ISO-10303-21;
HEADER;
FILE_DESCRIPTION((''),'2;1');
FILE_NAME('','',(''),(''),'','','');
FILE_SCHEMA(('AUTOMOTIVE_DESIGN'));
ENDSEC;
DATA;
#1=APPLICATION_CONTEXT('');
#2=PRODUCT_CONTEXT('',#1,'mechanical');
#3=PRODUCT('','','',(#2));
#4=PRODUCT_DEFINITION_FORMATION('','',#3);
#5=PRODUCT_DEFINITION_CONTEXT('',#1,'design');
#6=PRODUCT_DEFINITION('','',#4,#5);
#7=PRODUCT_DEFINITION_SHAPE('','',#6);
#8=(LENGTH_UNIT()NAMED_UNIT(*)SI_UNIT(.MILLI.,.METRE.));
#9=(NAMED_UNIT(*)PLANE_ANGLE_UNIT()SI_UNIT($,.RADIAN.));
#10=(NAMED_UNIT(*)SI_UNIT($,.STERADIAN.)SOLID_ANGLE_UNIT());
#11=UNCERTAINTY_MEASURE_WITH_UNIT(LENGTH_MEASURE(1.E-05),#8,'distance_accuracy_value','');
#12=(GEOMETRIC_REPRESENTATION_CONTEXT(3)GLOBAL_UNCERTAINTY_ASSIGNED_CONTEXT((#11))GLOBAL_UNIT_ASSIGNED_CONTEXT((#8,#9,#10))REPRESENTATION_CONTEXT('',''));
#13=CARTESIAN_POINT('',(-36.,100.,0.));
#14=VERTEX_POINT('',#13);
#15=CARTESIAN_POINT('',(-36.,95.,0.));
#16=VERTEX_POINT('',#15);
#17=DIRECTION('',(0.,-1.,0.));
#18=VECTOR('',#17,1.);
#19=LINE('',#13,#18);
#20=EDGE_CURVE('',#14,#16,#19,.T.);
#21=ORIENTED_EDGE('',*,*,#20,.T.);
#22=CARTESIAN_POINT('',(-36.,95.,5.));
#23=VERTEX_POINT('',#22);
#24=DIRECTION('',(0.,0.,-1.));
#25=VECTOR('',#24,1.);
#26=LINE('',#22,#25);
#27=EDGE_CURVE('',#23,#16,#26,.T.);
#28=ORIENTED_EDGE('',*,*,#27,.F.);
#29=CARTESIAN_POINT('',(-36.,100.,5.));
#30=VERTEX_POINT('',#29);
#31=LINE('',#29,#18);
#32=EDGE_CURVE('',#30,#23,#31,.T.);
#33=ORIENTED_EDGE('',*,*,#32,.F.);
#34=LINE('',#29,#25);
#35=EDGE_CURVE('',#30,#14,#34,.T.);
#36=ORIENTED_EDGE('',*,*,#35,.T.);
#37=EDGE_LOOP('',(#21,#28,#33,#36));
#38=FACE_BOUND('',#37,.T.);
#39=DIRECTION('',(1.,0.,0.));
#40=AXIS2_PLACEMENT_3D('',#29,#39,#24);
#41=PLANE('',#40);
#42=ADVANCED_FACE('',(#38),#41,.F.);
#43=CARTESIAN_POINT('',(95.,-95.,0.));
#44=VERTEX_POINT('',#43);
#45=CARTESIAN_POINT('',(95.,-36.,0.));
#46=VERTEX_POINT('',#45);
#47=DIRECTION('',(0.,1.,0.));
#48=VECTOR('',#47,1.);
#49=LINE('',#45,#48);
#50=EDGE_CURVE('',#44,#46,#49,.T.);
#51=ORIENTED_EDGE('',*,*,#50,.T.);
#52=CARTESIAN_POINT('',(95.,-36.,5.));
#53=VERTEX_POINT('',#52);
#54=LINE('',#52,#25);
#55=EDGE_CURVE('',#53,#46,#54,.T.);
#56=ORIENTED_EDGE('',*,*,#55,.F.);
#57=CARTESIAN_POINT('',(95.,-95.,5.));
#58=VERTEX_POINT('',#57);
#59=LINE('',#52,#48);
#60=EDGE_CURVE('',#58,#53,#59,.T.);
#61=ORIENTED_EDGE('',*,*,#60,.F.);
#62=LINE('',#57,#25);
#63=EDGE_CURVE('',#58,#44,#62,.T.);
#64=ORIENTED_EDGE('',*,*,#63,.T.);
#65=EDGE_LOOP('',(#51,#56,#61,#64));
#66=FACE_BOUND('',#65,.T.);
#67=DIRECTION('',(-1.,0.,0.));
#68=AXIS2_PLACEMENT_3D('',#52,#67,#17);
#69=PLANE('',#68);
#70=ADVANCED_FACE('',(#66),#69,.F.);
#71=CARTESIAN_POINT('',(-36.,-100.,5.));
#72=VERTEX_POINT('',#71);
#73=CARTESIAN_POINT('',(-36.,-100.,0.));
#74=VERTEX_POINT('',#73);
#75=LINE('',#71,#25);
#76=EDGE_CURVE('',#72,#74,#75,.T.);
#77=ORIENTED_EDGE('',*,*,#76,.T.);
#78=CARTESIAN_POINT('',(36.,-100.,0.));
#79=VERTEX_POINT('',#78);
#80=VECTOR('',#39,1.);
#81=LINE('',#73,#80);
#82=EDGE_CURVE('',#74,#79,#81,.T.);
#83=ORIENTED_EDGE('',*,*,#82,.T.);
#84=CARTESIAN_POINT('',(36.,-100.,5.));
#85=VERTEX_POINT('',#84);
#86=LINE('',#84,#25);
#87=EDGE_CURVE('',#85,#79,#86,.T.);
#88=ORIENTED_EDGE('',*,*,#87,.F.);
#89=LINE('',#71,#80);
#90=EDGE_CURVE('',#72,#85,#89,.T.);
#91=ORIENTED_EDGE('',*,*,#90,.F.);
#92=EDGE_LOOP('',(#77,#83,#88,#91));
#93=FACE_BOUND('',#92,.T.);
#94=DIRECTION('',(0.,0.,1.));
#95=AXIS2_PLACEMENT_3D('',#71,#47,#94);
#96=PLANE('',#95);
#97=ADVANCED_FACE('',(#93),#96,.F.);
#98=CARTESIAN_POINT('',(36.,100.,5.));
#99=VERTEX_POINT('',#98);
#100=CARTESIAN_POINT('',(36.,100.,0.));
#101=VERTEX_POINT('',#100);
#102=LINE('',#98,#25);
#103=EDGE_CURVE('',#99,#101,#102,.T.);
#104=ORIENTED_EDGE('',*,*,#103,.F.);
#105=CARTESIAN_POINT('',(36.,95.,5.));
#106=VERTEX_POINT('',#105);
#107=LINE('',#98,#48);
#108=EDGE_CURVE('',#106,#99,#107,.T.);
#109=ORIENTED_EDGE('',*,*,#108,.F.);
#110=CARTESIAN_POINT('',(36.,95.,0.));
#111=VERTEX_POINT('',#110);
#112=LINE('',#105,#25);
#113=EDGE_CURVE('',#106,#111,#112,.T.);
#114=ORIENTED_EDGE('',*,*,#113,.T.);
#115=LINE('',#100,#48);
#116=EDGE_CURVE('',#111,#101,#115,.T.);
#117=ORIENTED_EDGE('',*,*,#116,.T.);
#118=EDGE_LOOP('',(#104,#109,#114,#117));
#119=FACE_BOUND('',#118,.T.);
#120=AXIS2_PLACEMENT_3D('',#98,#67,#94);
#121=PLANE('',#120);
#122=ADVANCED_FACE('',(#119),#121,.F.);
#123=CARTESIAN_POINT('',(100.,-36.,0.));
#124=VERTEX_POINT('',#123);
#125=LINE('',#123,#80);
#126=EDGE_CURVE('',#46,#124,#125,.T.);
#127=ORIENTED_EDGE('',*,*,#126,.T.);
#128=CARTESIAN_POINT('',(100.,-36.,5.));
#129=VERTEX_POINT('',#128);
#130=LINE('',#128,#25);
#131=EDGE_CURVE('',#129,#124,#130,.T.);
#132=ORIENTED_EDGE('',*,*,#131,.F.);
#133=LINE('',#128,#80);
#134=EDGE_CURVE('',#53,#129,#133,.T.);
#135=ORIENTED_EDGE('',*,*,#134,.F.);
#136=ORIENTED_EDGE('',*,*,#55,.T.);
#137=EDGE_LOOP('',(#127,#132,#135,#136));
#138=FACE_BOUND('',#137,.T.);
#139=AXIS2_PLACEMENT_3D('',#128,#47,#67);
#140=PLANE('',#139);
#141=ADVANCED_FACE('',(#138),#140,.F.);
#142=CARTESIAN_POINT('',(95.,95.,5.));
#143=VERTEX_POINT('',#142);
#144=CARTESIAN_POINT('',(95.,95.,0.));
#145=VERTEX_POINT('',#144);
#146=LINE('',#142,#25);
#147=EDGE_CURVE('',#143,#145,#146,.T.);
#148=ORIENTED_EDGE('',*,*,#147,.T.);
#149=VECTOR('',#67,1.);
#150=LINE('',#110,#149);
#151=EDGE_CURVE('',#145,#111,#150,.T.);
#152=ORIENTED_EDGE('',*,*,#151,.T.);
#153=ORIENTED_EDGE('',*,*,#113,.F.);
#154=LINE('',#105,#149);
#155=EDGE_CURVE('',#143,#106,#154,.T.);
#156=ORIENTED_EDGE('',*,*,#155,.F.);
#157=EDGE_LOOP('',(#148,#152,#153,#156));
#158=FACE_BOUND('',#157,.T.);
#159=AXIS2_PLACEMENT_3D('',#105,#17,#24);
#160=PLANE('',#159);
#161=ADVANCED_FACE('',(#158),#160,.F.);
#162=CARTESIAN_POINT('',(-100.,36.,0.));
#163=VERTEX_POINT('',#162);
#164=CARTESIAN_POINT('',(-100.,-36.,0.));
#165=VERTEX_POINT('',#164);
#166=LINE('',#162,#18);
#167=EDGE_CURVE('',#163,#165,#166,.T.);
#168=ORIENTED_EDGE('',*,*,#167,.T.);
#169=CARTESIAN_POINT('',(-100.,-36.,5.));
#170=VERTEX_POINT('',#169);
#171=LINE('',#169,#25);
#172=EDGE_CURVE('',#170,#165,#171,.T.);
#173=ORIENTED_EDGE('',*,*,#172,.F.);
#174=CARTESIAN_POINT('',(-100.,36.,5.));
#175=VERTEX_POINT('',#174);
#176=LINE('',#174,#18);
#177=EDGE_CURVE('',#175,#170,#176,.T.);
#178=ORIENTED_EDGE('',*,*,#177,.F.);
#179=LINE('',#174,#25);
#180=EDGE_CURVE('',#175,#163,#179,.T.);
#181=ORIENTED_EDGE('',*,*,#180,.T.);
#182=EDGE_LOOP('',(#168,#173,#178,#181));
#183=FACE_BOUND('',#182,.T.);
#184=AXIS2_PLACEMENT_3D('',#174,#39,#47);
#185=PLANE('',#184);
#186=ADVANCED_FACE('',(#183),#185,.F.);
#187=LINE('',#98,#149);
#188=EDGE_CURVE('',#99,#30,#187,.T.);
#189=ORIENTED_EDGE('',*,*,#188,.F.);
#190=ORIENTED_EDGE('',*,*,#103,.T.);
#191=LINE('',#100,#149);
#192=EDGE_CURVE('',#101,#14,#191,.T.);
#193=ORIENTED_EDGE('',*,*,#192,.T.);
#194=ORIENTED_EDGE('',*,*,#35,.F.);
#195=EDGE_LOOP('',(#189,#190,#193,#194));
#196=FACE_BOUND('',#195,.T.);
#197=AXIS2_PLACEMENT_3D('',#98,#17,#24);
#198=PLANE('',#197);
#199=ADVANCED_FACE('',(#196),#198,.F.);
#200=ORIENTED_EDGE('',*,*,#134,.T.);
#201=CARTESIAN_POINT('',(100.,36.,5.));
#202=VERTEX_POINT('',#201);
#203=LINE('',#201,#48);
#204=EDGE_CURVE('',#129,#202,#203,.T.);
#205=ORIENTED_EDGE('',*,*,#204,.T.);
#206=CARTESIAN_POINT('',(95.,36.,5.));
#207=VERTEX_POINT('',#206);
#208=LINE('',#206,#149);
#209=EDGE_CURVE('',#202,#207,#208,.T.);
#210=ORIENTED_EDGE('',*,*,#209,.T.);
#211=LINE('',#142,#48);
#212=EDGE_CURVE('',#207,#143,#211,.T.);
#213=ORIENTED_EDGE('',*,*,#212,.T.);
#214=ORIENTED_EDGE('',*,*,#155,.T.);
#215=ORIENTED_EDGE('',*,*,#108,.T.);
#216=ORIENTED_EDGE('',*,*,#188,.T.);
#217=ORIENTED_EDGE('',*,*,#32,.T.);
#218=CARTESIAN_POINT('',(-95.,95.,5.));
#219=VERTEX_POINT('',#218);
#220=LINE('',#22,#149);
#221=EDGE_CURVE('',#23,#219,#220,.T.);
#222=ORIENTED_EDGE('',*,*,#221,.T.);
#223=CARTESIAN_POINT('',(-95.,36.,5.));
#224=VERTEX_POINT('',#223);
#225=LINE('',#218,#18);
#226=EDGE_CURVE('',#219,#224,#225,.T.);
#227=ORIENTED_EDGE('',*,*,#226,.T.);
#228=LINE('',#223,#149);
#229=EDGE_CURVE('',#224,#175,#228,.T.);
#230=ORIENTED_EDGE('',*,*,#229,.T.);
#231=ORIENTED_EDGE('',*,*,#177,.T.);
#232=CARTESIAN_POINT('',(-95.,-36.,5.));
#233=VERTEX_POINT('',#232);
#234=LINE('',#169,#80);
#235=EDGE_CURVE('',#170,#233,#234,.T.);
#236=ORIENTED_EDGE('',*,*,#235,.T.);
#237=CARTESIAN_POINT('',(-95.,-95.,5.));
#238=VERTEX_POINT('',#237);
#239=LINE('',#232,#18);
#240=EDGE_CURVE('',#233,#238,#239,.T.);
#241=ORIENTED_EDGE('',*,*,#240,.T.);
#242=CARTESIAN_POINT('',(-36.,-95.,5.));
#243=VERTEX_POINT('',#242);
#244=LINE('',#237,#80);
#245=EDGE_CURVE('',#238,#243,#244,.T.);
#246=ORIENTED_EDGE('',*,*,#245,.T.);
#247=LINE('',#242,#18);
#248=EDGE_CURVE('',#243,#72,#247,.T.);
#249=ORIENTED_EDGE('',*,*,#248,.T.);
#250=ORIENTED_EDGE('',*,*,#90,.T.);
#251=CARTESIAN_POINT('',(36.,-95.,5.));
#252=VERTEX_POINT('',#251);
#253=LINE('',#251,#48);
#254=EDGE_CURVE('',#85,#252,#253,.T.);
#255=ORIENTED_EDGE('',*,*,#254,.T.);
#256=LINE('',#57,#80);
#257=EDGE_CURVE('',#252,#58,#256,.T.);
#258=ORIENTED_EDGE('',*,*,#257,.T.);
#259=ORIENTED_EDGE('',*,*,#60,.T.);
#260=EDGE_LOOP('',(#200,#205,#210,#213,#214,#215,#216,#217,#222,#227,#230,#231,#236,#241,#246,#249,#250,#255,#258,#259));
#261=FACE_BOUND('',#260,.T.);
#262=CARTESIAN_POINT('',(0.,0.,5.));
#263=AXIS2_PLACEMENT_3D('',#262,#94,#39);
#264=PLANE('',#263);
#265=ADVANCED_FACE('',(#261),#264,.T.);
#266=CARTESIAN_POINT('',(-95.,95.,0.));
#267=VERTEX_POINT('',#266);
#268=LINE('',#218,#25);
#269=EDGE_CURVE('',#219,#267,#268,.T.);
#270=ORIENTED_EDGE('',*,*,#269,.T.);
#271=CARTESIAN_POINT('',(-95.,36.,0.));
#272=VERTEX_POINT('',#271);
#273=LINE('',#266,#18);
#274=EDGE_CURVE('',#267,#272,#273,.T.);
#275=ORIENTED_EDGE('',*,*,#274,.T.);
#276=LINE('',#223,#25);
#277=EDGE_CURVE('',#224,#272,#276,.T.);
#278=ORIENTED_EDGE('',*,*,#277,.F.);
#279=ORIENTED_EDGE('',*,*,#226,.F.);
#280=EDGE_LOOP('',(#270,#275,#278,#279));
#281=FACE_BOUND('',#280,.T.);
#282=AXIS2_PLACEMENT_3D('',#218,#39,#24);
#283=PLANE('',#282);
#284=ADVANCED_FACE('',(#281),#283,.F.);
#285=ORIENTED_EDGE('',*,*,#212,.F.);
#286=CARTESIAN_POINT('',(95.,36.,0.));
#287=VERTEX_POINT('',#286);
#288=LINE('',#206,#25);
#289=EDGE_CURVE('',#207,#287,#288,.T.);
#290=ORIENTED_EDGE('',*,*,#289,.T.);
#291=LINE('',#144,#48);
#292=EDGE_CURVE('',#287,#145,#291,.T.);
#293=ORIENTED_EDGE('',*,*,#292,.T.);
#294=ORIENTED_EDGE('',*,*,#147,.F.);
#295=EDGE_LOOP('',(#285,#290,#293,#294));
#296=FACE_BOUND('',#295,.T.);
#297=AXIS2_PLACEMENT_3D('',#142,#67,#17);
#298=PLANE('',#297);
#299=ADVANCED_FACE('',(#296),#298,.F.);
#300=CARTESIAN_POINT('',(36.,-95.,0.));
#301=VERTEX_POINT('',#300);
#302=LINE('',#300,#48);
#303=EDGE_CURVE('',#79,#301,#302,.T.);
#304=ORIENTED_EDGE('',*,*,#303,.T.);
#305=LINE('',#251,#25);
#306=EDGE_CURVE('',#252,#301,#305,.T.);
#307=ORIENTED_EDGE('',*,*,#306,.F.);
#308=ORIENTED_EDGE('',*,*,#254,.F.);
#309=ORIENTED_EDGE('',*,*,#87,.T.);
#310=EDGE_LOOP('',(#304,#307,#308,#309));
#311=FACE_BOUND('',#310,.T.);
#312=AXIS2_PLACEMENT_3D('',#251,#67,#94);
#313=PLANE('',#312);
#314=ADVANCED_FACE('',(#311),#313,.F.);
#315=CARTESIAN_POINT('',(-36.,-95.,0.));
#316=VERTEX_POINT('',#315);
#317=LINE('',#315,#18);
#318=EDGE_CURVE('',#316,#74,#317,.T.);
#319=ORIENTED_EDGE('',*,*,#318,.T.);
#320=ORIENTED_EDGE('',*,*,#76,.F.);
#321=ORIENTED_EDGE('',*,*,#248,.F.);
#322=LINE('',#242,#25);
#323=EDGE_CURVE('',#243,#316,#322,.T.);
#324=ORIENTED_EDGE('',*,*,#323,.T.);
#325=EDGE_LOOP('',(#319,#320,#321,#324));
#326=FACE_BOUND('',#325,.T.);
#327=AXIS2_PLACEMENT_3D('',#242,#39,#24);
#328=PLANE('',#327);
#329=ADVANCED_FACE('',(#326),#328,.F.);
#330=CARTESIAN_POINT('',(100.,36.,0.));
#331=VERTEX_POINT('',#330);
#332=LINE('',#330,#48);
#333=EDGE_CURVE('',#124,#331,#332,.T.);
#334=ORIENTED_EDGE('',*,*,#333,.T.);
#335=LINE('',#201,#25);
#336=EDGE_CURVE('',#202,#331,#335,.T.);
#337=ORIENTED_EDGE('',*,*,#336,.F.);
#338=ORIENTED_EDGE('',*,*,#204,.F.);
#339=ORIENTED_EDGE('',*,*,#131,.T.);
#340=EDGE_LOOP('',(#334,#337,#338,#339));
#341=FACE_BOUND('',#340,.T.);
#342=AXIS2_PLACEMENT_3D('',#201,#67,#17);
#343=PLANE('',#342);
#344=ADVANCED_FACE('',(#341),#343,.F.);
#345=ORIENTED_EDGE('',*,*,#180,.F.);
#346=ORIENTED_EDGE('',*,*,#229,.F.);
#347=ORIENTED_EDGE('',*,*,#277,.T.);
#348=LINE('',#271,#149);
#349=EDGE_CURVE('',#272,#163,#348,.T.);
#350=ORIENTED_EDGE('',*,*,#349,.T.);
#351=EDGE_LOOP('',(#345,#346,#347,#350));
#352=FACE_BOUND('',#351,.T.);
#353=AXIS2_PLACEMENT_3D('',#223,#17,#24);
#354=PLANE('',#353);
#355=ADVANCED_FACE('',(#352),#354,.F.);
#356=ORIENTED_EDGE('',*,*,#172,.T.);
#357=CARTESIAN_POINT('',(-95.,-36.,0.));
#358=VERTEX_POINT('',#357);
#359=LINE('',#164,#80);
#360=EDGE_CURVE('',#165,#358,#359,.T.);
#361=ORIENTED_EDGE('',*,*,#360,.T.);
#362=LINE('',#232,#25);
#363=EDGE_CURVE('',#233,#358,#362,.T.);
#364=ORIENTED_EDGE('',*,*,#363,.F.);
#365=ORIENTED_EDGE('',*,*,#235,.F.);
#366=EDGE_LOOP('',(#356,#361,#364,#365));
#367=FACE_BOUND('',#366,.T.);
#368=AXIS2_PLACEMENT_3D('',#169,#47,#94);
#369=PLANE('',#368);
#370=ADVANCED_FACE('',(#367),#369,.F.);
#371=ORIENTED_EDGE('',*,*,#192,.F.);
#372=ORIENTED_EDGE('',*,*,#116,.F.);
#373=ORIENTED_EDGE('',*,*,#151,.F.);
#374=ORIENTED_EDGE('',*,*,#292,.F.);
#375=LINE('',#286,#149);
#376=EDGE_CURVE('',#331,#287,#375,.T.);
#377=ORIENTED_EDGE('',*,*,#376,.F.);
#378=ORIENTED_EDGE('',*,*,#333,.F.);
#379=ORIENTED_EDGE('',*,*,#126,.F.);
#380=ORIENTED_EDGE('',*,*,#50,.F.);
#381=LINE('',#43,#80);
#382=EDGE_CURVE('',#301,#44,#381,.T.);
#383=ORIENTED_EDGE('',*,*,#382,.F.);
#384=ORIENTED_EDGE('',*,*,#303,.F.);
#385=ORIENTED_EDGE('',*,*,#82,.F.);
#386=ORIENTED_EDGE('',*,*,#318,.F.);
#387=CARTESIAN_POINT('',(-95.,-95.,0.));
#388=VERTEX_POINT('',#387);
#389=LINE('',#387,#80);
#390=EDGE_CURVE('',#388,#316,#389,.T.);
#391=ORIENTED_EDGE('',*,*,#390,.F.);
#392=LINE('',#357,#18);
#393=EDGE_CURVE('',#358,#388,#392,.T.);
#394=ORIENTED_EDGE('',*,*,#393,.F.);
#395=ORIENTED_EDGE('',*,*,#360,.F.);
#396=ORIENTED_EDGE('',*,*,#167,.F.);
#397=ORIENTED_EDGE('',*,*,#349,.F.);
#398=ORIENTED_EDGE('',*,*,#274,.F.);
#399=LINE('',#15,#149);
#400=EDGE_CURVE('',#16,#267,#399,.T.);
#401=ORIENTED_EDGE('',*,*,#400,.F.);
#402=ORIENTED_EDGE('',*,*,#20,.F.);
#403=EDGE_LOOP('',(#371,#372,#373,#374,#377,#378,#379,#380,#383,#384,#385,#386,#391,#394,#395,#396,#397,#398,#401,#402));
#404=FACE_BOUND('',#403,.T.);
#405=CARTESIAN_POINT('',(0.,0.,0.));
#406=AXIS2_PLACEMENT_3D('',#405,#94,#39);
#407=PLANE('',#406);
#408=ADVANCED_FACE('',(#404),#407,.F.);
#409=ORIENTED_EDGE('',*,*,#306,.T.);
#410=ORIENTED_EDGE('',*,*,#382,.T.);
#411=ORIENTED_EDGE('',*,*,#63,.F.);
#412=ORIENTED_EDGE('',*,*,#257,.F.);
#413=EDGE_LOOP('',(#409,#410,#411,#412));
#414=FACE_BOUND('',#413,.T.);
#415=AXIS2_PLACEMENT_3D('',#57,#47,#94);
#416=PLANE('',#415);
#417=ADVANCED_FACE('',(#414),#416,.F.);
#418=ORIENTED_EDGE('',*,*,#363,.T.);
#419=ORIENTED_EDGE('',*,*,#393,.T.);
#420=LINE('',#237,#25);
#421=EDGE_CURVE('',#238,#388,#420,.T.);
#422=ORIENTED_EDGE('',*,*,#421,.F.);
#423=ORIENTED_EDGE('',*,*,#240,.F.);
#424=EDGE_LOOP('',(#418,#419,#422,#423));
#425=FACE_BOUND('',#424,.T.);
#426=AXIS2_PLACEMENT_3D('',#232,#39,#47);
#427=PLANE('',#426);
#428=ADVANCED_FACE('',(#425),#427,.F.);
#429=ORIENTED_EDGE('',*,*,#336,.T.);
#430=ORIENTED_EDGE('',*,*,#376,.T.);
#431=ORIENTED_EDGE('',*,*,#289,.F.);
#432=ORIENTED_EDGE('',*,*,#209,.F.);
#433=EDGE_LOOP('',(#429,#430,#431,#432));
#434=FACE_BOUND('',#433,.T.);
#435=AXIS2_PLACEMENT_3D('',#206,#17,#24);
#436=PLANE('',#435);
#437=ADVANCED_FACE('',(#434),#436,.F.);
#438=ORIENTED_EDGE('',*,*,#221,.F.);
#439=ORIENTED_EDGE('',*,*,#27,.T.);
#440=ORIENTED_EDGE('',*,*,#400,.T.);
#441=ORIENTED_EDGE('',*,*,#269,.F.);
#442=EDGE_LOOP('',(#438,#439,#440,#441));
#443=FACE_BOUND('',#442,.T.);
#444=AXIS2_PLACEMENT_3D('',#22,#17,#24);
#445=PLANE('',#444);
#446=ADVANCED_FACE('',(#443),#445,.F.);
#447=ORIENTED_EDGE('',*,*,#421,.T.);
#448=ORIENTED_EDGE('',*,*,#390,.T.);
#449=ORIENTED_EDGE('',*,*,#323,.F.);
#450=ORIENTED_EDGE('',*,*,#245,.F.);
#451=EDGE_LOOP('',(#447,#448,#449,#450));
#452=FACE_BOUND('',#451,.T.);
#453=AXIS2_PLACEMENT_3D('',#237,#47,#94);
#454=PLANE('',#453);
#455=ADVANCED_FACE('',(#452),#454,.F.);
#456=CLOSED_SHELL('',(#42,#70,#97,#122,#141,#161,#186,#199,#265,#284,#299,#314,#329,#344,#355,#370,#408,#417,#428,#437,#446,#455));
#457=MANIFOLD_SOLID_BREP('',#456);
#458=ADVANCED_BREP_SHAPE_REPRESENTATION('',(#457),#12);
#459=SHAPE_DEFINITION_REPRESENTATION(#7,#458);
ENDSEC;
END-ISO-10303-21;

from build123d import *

# Parameters (mm, degrees)
BOSS_EXTRUDE1_DEPTH = 5


with BuildPart() as part:
    # Sketch1 → Boss-Extrude1 (new body)
    with BuildSketch(Plane.XY):
        Polygon((36, 100), (-36, 100), (-36, 95), (-95, 95), (-95, 36), (-100, 36), (-100, -36), (-95, -36), (-95, -95), (-36, -95), (-36, -100), (36, -100), (36, -95), (95, -95), (95, -36), (100, -36), (100, 36), (95, 36), (95, 95), (36, 95), align=None)
    extrude(amount=BOSS_EXTRUDE1_DEPTH)


solid = part.part
